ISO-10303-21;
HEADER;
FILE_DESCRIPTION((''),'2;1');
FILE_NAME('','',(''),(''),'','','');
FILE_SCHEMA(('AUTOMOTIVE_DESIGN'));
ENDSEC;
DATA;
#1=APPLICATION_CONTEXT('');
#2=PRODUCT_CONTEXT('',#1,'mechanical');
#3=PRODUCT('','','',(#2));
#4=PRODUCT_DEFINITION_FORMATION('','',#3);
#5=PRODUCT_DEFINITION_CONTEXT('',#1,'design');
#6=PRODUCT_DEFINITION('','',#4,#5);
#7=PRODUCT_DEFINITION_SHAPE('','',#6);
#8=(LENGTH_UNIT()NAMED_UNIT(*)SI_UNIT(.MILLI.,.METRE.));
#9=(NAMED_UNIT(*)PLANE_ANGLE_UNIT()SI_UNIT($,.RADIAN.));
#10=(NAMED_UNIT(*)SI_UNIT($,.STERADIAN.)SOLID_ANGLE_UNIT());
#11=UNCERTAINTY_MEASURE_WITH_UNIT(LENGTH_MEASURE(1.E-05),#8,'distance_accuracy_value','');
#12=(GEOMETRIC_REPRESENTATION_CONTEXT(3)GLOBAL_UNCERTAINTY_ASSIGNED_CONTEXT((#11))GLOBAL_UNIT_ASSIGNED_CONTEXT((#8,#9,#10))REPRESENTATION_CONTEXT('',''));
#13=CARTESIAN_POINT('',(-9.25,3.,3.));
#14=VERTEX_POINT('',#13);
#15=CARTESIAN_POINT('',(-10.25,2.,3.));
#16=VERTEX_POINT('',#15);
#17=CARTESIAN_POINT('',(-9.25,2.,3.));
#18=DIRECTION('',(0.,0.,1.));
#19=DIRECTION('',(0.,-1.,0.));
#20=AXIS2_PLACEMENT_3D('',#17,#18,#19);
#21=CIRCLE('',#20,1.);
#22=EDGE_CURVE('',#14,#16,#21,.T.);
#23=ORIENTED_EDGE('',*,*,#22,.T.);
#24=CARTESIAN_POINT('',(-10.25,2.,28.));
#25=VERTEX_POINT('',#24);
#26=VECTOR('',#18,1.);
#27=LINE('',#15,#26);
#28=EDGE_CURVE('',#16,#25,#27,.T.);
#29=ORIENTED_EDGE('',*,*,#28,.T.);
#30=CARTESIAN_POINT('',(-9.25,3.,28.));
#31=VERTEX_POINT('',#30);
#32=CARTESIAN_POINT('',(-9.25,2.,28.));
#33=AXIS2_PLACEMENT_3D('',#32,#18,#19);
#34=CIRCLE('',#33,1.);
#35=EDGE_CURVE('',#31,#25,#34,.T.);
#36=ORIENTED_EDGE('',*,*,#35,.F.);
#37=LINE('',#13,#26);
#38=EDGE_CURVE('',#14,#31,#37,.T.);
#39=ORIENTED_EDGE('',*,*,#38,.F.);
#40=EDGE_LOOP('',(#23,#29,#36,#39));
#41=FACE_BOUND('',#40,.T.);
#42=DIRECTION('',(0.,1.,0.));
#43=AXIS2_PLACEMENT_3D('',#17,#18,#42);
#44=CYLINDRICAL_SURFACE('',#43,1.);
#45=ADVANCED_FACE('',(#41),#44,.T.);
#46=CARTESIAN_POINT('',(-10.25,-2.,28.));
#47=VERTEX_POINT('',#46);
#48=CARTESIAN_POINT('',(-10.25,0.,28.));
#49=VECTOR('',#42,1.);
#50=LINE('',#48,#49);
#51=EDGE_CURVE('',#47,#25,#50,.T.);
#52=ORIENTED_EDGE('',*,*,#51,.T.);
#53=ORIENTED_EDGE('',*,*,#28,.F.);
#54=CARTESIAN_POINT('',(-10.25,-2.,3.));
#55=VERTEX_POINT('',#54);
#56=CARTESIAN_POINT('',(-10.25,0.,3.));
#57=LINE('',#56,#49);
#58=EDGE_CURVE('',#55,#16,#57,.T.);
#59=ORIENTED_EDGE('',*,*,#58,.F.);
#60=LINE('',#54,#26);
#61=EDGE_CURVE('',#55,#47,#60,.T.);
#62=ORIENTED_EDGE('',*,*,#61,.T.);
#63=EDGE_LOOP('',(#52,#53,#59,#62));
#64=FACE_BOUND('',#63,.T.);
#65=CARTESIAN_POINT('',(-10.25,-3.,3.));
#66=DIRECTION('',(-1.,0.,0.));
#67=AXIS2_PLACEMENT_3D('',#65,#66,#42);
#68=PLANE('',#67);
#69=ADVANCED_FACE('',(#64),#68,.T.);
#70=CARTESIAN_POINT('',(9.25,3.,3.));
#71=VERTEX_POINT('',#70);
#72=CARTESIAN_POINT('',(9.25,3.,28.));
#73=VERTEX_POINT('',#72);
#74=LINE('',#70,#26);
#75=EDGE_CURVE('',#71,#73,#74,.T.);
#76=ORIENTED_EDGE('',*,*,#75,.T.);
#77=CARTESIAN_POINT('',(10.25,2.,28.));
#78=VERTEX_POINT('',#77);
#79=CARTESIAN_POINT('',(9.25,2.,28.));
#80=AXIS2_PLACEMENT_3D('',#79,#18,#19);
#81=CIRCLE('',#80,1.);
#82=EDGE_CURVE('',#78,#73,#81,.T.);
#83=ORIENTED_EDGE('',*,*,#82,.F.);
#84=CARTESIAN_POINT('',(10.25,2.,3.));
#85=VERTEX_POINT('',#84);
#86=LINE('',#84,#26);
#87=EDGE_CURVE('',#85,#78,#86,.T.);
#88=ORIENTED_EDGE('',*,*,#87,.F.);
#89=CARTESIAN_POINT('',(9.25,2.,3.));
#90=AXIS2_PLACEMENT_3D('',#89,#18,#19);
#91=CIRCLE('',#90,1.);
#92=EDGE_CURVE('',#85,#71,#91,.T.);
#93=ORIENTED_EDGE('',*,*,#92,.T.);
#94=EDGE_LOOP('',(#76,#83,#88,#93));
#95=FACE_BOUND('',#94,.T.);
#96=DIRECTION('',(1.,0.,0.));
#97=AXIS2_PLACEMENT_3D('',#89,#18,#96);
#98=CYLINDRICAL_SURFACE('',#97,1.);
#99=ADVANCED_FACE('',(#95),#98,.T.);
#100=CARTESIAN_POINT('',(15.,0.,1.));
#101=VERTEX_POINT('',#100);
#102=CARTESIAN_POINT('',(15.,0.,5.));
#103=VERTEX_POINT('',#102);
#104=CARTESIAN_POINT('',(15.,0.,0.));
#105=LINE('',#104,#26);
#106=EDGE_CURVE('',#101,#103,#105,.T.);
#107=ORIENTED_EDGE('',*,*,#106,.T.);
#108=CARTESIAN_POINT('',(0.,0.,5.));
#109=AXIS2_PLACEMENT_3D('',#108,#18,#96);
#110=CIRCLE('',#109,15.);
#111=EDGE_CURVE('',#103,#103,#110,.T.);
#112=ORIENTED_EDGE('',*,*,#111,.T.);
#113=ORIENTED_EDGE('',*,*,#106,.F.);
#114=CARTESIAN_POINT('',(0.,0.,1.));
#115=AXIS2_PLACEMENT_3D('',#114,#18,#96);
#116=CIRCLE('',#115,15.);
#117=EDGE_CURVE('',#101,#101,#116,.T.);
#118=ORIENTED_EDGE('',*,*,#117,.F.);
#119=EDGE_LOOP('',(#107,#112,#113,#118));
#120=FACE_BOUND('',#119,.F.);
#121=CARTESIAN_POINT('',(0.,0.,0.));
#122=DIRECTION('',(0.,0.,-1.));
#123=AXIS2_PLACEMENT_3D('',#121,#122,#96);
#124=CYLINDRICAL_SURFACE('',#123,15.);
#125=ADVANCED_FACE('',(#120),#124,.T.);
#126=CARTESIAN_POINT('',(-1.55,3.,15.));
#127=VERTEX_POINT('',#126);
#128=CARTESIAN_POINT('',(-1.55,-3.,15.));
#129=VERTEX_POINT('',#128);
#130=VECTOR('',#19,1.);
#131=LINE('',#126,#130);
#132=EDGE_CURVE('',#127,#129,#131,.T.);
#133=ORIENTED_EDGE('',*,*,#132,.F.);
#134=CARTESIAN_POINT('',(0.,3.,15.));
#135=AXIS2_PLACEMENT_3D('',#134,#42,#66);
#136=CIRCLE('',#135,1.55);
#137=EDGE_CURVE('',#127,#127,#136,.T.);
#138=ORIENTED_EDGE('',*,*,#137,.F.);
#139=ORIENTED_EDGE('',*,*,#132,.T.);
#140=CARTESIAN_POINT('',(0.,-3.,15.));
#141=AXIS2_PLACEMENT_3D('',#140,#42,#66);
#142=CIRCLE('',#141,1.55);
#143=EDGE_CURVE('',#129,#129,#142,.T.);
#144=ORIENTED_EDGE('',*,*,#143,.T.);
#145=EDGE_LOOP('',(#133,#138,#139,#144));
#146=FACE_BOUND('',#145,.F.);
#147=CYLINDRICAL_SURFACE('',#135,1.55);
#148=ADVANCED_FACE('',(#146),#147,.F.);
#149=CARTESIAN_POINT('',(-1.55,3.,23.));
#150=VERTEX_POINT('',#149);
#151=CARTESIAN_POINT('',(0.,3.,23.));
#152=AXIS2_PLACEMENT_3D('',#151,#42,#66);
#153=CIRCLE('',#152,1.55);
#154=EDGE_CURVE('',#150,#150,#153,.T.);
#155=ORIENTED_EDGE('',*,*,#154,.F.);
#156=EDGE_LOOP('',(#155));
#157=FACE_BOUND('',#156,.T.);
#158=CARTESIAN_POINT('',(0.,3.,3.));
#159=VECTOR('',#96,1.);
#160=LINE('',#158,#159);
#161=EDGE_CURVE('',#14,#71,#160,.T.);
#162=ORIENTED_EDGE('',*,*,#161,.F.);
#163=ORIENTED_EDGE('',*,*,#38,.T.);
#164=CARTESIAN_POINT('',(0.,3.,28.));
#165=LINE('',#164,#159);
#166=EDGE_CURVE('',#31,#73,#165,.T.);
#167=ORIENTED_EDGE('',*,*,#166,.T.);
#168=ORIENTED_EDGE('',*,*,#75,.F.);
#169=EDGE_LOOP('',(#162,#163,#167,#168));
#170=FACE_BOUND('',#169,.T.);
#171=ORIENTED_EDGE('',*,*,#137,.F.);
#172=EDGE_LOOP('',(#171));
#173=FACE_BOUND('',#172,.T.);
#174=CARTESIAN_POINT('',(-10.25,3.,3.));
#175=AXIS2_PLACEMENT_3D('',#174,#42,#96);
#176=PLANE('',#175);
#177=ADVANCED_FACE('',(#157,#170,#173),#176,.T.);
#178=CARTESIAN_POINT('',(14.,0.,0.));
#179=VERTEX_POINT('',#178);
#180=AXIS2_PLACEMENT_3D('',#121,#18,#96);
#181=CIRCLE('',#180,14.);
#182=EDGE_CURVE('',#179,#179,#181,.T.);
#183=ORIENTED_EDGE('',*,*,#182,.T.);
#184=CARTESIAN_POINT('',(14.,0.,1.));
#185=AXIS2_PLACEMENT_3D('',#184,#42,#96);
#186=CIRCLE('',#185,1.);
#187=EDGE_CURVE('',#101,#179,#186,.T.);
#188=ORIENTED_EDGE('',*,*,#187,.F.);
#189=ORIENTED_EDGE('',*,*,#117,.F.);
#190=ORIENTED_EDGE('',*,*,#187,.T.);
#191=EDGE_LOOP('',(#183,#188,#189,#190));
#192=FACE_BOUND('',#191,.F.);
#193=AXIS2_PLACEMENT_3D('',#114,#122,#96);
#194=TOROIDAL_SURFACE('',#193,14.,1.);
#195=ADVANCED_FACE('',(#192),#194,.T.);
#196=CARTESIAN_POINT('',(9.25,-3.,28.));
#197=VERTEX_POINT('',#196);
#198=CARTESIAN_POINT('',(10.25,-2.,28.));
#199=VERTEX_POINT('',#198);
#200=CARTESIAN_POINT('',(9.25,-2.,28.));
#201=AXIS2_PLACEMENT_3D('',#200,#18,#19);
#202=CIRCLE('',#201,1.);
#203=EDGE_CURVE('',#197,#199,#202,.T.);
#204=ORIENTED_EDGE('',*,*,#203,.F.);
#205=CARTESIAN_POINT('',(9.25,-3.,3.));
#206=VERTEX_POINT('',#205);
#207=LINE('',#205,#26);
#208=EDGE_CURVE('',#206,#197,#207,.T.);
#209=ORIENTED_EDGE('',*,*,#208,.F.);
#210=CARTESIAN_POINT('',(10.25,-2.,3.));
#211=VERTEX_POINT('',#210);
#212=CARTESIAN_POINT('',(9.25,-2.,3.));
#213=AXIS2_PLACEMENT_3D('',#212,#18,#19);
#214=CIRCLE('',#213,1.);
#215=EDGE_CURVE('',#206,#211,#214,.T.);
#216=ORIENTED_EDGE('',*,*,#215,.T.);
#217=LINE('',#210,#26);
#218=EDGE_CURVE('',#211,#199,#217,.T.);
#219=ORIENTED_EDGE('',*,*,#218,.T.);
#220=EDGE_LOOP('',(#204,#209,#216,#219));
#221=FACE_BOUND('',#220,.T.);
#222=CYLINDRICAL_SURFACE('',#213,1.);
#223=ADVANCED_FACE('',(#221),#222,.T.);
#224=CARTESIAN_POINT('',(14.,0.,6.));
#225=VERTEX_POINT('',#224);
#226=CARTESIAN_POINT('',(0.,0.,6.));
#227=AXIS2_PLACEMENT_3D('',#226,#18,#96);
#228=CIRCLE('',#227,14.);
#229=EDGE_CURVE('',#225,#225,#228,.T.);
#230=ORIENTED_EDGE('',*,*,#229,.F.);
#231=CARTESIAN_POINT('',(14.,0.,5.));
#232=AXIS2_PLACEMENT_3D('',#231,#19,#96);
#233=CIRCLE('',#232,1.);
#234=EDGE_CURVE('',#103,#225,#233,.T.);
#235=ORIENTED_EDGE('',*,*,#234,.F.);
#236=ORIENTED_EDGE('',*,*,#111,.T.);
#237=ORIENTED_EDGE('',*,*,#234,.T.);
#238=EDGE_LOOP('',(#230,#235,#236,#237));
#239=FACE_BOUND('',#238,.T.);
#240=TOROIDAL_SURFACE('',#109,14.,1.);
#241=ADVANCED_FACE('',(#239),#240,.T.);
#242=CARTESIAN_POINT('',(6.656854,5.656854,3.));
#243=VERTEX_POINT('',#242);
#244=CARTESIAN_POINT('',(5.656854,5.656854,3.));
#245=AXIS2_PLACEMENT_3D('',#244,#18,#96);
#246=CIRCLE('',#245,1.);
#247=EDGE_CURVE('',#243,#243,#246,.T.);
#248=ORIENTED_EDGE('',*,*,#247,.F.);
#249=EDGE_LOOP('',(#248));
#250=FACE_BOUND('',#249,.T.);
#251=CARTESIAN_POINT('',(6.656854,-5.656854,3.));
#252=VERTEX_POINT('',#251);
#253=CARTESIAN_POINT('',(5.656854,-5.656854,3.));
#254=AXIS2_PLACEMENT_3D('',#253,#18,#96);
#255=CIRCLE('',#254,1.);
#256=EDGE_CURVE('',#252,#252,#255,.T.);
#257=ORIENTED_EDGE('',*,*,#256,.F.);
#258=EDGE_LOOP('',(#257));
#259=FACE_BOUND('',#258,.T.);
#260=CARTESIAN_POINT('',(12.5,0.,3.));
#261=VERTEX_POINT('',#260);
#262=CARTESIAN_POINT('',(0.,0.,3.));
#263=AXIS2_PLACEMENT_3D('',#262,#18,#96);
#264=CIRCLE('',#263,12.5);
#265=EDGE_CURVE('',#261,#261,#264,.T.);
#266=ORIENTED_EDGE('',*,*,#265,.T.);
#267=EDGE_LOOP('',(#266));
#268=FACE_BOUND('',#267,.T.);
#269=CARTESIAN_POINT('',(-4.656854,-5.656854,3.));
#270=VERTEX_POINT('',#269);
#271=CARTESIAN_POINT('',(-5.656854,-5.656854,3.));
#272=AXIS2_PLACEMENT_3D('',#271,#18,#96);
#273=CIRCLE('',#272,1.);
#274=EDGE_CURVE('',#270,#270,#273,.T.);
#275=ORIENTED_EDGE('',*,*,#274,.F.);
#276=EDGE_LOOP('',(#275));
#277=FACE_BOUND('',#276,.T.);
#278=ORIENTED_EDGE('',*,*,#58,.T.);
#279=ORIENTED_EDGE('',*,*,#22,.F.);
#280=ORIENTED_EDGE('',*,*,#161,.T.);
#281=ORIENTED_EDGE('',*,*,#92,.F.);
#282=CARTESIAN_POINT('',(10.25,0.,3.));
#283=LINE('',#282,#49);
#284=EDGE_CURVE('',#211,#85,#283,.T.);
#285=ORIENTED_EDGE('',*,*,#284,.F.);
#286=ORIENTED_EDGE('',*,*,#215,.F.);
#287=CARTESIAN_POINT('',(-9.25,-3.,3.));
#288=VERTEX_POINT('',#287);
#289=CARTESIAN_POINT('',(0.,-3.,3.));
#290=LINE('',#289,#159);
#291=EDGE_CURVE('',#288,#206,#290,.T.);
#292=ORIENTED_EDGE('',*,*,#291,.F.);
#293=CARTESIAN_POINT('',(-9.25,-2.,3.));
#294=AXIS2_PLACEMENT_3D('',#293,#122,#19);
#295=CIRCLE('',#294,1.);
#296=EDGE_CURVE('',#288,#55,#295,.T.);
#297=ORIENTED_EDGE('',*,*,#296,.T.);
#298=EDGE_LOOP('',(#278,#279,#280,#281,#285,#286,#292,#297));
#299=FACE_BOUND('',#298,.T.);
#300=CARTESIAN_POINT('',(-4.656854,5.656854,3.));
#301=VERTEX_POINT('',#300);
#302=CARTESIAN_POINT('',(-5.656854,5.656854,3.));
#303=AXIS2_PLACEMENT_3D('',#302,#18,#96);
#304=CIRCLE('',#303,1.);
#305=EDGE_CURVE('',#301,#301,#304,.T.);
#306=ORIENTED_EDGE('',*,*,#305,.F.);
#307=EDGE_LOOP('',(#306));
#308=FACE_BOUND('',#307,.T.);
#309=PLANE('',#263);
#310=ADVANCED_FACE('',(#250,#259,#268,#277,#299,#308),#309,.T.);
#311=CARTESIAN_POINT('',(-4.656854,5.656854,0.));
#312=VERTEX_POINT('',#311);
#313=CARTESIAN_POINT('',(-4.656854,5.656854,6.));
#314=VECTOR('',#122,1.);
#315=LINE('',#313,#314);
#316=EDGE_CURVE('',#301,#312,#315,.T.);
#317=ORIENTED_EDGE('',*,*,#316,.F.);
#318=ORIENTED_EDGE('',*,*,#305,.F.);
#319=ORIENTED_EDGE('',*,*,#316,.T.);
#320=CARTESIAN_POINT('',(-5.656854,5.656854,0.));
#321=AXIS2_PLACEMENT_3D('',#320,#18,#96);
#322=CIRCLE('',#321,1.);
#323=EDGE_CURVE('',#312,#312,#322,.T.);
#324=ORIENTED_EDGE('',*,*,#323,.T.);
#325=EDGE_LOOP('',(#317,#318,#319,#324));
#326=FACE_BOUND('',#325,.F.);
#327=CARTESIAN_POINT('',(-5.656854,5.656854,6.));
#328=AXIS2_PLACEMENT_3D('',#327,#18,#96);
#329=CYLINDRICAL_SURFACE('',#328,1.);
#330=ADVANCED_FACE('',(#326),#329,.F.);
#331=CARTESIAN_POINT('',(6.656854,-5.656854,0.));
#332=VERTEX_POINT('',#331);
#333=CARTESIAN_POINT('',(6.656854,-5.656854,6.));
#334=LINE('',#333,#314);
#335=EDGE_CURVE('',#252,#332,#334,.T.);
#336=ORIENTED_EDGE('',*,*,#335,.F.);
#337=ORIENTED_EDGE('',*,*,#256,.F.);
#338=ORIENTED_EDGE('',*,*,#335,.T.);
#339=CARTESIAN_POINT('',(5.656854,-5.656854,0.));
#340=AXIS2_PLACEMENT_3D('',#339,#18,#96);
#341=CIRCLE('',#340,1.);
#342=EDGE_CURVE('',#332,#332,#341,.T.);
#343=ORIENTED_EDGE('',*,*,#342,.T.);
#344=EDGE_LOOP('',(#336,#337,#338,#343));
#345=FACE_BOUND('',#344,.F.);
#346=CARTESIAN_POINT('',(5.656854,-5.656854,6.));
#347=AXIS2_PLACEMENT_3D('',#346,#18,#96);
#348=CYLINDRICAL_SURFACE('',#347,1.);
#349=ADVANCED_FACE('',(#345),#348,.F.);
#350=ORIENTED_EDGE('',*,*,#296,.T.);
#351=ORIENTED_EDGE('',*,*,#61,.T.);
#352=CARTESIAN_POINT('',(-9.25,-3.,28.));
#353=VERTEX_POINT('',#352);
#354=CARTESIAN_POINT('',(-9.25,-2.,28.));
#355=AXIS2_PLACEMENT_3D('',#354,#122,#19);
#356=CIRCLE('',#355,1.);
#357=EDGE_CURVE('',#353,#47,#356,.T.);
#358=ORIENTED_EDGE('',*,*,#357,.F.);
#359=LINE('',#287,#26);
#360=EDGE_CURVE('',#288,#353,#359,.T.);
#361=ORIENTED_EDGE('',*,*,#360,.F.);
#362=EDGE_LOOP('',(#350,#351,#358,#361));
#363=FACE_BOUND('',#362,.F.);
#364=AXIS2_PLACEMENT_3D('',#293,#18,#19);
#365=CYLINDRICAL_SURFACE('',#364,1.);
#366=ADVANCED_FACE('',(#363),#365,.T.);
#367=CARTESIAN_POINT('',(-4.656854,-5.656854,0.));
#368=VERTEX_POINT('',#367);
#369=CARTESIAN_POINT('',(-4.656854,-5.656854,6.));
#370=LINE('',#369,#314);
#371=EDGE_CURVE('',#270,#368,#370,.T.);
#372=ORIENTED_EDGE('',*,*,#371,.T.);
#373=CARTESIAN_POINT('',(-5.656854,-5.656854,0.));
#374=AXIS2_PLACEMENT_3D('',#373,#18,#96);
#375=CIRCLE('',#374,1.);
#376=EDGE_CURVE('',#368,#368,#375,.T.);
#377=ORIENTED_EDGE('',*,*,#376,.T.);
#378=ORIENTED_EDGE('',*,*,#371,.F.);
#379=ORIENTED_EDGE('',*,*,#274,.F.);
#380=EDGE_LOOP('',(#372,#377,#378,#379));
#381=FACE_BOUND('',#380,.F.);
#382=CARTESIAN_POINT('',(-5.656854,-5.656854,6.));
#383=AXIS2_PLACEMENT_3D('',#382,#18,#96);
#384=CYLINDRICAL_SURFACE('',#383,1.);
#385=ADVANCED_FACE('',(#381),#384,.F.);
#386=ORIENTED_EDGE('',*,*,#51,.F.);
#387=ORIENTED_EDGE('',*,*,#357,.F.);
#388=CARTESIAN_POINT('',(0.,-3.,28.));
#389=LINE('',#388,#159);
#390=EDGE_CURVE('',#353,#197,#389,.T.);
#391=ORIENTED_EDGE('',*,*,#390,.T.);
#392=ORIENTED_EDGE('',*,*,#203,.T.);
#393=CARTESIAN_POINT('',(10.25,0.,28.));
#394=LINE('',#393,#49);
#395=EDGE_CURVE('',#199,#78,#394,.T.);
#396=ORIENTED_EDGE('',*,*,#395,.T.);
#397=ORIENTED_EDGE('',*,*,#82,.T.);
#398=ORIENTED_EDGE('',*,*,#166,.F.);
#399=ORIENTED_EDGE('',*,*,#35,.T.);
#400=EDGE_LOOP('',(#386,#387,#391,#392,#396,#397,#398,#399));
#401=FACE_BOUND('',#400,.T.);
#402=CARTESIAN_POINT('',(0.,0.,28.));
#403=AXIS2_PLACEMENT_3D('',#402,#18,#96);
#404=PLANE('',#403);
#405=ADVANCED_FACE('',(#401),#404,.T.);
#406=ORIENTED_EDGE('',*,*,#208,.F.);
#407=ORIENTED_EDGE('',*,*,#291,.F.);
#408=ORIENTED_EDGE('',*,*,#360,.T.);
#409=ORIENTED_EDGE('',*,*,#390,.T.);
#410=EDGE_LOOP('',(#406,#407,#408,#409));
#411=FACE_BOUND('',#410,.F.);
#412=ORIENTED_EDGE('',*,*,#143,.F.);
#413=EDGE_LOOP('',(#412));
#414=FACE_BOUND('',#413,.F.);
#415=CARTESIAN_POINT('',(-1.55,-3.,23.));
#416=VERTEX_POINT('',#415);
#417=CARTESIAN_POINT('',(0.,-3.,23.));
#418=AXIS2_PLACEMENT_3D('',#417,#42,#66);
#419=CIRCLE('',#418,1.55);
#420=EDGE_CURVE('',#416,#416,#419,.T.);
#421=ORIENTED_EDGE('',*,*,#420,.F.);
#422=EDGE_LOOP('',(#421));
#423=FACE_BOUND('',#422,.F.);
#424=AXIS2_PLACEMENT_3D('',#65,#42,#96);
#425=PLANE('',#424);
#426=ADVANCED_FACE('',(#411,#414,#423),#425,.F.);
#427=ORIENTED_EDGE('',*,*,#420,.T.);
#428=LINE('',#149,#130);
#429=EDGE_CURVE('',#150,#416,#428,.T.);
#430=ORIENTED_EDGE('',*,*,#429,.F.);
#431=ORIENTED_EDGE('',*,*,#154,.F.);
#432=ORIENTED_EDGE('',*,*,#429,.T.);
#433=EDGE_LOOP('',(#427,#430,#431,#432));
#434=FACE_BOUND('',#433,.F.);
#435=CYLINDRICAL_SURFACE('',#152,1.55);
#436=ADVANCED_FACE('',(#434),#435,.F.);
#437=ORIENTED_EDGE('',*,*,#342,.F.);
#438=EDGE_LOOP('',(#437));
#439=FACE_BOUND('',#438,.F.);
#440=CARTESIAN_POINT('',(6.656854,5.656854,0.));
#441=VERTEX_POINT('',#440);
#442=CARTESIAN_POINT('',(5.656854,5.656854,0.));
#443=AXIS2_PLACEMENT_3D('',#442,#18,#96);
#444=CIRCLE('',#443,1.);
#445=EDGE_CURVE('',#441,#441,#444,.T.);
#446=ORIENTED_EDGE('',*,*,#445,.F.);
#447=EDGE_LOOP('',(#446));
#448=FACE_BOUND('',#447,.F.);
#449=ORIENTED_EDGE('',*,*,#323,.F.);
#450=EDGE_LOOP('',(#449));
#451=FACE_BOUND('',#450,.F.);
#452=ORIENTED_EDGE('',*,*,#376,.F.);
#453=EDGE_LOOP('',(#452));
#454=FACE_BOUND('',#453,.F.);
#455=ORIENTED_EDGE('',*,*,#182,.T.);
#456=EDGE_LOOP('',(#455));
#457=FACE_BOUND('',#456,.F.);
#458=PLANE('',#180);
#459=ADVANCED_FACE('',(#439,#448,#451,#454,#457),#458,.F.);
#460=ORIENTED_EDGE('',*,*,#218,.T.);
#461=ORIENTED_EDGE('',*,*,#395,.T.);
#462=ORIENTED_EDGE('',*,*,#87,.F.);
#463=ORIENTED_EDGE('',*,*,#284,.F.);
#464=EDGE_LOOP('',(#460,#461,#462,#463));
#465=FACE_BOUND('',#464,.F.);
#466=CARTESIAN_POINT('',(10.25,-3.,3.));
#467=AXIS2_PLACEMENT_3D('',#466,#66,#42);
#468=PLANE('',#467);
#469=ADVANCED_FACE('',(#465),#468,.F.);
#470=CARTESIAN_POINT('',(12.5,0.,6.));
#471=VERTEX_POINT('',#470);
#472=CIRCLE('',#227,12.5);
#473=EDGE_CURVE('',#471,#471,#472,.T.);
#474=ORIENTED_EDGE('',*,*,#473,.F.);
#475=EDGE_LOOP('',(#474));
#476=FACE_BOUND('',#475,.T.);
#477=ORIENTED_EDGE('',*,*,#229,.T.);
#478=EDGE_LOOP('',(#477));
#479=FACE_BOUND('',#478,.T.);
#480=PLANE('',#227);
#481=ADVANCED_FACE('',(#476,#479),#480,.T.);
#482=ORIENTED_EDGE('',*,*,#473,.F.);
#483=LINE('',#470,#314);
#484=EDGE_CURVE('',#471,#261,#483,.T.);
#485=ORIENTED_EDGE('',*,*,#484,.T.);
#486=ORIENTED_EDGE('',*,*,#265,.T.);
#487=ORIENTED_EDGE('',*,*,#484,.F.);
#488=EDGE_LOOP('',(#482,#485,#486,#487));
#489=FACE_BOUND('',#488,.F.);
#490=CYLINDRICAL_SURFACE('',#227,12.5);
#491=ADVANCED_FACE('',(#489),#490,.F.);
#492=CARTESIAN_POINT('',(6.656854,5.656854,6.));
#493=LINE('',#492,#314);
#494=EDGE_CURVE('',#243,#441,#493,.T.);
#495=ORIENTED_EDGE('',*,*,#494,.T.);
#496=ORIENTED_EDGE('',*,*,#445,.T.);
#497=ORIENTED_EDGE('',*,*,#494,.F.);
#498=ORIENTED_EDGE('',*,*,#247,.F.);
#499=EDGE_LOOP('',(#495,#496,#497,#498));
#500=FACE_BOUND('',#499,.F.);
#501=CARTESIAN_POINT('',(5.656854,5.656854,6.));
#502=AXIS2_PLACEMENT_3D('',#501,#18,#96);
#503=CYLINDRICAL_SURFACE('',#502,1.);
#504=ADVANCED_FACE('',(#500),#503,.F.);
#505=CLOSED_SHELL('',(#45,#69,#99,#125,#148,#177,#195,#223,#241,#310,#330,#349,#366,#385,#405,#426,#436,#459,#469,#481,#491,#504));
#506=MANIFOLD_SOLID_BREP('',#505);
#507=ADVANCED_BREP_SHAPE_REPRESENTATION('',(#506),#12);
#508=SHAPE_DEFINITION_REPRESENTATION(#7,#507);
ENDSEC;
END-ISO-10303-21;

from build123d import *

# Parameters (mm, degrees)
SKETCH_R        = 15
PAD_DEPTH       = 6
FILLET_R        = 1
FILLET001_R     = 1
SKETCH001_R     = 12.5
POCKET_DEPTH    = 3
SKETCH002_W     = 20.5
SKETCH002_H     = 6
PAD001_DEPTH    = 25
SKETCH003_R     = 1.55
POCKET001_DEPTH = 20
SKETCH004_R     = 1
POCKET002_DEPTH = 6
FILLET002_R     = 1
FILLET003_R     = 1
FILLET004_R     = 1
FILLET005_R     = 1


with BuildPart() as part:
    # Sketch → Pad (new body)
    with BuildSketch(Plane.XY):
        Circle(SKETCH_R)
    extrude(amount=PAD_DEPTH)

    # Fillet
    fillet_edges = [part.edges().sort_by_distance(p)[0] for p in [
        (-15, 0, 0),
    ]]
    fillet(fillet_edges, radius=FILLET_R)

    # Fillet001
    fillet001_edges = [part.edges().sort_by_distance(p)[0] for p in [
        (-15, 0, 6),
    ]]
    fillet(fillet001_edges, radius=FILLET001_R)

    # Sketch001 (on Face4 of Fillet001) → Pocket (cut)
    with BuildSketch(Plane.XY.offset(6)):
        Circle(SKETCH001_R)
    extrude(amount=-POCKET_DEPTH, mode=Mode.SUBTRACT)

    # Sketch002 (on Face7 of Pocket) → Pad001 (join)
    with BuildSketch(Plane.XY.offset(3)):
        Rectangle(SKETCH002_W, SKETCH002_H)
    extrude(amount=PAD001_DEPTH)

    # Sketch003 (on Face11 of Pad001) → Pocket001 (cut)
    with BuildSketch(Plane(origin=(0, 3, 0), x_dir=(-1, 0, 0), z_dir=(0, 1, 0))):
        with Locations((0, 23)):
            Circle(SKETCH003_R)
        with Locations((0, 15)):
            Circle(SKETCH003_R)
    extrude(amount=-POCKET001_DEPTH, mode=Mode.SUBTRACT)

    # Sketch004 (on Face3 of Pad) → Pocket002 (cut)
    with BuildSketch(Plane.XY.offset(6)):
        with Locations((-5.656854, 5.656854)):
            Circle(SKETCH004_R)
        with Locations((5.656854, 5.656854)):
            Circle(SKETCH004_R)
        with Locations((-5.656854, -5.656854)):
            Circle(SKETCH004_R)
        with Locations((5.656854, -5.656854)):
            Circle(SKETCH004_R)
    extrude(amount=-POCKET002_DEPTH, mode=Mode.SUBTRACT)

    # Fillet002
    fillet002_edges = [part.edges().sort_by_distance(p)[0] for p in [
        (-10.25, -3, 15.5),
    ]]
    fillet(fillet002_edges, radius=FILLET002_R)

    # Fillet003
    fillet003_edges = [part.edges().sort_by_distance(p)[0] for p in [
        (10.25, -3, 15.5),
    ]]
    fillet(fillet003_edges, radius=FILLET003_R)

    # Fillet004
    fillet004_edges = [part.edges().sort_by_distance(p)[0] for p in [
        (10.25, 3, 15.5),
    ]]
    fillet(fillet004_edges, radius=FILLET004_R)

    # Fillet005
    fillet005_edges = [part.edges().sort_by_distance(p)[0] for p in [
        (-10.25, 3, 15.5),
    ]]
    fillet(fillet005_edges, radius=FILLET005_R)


solid = part.part
